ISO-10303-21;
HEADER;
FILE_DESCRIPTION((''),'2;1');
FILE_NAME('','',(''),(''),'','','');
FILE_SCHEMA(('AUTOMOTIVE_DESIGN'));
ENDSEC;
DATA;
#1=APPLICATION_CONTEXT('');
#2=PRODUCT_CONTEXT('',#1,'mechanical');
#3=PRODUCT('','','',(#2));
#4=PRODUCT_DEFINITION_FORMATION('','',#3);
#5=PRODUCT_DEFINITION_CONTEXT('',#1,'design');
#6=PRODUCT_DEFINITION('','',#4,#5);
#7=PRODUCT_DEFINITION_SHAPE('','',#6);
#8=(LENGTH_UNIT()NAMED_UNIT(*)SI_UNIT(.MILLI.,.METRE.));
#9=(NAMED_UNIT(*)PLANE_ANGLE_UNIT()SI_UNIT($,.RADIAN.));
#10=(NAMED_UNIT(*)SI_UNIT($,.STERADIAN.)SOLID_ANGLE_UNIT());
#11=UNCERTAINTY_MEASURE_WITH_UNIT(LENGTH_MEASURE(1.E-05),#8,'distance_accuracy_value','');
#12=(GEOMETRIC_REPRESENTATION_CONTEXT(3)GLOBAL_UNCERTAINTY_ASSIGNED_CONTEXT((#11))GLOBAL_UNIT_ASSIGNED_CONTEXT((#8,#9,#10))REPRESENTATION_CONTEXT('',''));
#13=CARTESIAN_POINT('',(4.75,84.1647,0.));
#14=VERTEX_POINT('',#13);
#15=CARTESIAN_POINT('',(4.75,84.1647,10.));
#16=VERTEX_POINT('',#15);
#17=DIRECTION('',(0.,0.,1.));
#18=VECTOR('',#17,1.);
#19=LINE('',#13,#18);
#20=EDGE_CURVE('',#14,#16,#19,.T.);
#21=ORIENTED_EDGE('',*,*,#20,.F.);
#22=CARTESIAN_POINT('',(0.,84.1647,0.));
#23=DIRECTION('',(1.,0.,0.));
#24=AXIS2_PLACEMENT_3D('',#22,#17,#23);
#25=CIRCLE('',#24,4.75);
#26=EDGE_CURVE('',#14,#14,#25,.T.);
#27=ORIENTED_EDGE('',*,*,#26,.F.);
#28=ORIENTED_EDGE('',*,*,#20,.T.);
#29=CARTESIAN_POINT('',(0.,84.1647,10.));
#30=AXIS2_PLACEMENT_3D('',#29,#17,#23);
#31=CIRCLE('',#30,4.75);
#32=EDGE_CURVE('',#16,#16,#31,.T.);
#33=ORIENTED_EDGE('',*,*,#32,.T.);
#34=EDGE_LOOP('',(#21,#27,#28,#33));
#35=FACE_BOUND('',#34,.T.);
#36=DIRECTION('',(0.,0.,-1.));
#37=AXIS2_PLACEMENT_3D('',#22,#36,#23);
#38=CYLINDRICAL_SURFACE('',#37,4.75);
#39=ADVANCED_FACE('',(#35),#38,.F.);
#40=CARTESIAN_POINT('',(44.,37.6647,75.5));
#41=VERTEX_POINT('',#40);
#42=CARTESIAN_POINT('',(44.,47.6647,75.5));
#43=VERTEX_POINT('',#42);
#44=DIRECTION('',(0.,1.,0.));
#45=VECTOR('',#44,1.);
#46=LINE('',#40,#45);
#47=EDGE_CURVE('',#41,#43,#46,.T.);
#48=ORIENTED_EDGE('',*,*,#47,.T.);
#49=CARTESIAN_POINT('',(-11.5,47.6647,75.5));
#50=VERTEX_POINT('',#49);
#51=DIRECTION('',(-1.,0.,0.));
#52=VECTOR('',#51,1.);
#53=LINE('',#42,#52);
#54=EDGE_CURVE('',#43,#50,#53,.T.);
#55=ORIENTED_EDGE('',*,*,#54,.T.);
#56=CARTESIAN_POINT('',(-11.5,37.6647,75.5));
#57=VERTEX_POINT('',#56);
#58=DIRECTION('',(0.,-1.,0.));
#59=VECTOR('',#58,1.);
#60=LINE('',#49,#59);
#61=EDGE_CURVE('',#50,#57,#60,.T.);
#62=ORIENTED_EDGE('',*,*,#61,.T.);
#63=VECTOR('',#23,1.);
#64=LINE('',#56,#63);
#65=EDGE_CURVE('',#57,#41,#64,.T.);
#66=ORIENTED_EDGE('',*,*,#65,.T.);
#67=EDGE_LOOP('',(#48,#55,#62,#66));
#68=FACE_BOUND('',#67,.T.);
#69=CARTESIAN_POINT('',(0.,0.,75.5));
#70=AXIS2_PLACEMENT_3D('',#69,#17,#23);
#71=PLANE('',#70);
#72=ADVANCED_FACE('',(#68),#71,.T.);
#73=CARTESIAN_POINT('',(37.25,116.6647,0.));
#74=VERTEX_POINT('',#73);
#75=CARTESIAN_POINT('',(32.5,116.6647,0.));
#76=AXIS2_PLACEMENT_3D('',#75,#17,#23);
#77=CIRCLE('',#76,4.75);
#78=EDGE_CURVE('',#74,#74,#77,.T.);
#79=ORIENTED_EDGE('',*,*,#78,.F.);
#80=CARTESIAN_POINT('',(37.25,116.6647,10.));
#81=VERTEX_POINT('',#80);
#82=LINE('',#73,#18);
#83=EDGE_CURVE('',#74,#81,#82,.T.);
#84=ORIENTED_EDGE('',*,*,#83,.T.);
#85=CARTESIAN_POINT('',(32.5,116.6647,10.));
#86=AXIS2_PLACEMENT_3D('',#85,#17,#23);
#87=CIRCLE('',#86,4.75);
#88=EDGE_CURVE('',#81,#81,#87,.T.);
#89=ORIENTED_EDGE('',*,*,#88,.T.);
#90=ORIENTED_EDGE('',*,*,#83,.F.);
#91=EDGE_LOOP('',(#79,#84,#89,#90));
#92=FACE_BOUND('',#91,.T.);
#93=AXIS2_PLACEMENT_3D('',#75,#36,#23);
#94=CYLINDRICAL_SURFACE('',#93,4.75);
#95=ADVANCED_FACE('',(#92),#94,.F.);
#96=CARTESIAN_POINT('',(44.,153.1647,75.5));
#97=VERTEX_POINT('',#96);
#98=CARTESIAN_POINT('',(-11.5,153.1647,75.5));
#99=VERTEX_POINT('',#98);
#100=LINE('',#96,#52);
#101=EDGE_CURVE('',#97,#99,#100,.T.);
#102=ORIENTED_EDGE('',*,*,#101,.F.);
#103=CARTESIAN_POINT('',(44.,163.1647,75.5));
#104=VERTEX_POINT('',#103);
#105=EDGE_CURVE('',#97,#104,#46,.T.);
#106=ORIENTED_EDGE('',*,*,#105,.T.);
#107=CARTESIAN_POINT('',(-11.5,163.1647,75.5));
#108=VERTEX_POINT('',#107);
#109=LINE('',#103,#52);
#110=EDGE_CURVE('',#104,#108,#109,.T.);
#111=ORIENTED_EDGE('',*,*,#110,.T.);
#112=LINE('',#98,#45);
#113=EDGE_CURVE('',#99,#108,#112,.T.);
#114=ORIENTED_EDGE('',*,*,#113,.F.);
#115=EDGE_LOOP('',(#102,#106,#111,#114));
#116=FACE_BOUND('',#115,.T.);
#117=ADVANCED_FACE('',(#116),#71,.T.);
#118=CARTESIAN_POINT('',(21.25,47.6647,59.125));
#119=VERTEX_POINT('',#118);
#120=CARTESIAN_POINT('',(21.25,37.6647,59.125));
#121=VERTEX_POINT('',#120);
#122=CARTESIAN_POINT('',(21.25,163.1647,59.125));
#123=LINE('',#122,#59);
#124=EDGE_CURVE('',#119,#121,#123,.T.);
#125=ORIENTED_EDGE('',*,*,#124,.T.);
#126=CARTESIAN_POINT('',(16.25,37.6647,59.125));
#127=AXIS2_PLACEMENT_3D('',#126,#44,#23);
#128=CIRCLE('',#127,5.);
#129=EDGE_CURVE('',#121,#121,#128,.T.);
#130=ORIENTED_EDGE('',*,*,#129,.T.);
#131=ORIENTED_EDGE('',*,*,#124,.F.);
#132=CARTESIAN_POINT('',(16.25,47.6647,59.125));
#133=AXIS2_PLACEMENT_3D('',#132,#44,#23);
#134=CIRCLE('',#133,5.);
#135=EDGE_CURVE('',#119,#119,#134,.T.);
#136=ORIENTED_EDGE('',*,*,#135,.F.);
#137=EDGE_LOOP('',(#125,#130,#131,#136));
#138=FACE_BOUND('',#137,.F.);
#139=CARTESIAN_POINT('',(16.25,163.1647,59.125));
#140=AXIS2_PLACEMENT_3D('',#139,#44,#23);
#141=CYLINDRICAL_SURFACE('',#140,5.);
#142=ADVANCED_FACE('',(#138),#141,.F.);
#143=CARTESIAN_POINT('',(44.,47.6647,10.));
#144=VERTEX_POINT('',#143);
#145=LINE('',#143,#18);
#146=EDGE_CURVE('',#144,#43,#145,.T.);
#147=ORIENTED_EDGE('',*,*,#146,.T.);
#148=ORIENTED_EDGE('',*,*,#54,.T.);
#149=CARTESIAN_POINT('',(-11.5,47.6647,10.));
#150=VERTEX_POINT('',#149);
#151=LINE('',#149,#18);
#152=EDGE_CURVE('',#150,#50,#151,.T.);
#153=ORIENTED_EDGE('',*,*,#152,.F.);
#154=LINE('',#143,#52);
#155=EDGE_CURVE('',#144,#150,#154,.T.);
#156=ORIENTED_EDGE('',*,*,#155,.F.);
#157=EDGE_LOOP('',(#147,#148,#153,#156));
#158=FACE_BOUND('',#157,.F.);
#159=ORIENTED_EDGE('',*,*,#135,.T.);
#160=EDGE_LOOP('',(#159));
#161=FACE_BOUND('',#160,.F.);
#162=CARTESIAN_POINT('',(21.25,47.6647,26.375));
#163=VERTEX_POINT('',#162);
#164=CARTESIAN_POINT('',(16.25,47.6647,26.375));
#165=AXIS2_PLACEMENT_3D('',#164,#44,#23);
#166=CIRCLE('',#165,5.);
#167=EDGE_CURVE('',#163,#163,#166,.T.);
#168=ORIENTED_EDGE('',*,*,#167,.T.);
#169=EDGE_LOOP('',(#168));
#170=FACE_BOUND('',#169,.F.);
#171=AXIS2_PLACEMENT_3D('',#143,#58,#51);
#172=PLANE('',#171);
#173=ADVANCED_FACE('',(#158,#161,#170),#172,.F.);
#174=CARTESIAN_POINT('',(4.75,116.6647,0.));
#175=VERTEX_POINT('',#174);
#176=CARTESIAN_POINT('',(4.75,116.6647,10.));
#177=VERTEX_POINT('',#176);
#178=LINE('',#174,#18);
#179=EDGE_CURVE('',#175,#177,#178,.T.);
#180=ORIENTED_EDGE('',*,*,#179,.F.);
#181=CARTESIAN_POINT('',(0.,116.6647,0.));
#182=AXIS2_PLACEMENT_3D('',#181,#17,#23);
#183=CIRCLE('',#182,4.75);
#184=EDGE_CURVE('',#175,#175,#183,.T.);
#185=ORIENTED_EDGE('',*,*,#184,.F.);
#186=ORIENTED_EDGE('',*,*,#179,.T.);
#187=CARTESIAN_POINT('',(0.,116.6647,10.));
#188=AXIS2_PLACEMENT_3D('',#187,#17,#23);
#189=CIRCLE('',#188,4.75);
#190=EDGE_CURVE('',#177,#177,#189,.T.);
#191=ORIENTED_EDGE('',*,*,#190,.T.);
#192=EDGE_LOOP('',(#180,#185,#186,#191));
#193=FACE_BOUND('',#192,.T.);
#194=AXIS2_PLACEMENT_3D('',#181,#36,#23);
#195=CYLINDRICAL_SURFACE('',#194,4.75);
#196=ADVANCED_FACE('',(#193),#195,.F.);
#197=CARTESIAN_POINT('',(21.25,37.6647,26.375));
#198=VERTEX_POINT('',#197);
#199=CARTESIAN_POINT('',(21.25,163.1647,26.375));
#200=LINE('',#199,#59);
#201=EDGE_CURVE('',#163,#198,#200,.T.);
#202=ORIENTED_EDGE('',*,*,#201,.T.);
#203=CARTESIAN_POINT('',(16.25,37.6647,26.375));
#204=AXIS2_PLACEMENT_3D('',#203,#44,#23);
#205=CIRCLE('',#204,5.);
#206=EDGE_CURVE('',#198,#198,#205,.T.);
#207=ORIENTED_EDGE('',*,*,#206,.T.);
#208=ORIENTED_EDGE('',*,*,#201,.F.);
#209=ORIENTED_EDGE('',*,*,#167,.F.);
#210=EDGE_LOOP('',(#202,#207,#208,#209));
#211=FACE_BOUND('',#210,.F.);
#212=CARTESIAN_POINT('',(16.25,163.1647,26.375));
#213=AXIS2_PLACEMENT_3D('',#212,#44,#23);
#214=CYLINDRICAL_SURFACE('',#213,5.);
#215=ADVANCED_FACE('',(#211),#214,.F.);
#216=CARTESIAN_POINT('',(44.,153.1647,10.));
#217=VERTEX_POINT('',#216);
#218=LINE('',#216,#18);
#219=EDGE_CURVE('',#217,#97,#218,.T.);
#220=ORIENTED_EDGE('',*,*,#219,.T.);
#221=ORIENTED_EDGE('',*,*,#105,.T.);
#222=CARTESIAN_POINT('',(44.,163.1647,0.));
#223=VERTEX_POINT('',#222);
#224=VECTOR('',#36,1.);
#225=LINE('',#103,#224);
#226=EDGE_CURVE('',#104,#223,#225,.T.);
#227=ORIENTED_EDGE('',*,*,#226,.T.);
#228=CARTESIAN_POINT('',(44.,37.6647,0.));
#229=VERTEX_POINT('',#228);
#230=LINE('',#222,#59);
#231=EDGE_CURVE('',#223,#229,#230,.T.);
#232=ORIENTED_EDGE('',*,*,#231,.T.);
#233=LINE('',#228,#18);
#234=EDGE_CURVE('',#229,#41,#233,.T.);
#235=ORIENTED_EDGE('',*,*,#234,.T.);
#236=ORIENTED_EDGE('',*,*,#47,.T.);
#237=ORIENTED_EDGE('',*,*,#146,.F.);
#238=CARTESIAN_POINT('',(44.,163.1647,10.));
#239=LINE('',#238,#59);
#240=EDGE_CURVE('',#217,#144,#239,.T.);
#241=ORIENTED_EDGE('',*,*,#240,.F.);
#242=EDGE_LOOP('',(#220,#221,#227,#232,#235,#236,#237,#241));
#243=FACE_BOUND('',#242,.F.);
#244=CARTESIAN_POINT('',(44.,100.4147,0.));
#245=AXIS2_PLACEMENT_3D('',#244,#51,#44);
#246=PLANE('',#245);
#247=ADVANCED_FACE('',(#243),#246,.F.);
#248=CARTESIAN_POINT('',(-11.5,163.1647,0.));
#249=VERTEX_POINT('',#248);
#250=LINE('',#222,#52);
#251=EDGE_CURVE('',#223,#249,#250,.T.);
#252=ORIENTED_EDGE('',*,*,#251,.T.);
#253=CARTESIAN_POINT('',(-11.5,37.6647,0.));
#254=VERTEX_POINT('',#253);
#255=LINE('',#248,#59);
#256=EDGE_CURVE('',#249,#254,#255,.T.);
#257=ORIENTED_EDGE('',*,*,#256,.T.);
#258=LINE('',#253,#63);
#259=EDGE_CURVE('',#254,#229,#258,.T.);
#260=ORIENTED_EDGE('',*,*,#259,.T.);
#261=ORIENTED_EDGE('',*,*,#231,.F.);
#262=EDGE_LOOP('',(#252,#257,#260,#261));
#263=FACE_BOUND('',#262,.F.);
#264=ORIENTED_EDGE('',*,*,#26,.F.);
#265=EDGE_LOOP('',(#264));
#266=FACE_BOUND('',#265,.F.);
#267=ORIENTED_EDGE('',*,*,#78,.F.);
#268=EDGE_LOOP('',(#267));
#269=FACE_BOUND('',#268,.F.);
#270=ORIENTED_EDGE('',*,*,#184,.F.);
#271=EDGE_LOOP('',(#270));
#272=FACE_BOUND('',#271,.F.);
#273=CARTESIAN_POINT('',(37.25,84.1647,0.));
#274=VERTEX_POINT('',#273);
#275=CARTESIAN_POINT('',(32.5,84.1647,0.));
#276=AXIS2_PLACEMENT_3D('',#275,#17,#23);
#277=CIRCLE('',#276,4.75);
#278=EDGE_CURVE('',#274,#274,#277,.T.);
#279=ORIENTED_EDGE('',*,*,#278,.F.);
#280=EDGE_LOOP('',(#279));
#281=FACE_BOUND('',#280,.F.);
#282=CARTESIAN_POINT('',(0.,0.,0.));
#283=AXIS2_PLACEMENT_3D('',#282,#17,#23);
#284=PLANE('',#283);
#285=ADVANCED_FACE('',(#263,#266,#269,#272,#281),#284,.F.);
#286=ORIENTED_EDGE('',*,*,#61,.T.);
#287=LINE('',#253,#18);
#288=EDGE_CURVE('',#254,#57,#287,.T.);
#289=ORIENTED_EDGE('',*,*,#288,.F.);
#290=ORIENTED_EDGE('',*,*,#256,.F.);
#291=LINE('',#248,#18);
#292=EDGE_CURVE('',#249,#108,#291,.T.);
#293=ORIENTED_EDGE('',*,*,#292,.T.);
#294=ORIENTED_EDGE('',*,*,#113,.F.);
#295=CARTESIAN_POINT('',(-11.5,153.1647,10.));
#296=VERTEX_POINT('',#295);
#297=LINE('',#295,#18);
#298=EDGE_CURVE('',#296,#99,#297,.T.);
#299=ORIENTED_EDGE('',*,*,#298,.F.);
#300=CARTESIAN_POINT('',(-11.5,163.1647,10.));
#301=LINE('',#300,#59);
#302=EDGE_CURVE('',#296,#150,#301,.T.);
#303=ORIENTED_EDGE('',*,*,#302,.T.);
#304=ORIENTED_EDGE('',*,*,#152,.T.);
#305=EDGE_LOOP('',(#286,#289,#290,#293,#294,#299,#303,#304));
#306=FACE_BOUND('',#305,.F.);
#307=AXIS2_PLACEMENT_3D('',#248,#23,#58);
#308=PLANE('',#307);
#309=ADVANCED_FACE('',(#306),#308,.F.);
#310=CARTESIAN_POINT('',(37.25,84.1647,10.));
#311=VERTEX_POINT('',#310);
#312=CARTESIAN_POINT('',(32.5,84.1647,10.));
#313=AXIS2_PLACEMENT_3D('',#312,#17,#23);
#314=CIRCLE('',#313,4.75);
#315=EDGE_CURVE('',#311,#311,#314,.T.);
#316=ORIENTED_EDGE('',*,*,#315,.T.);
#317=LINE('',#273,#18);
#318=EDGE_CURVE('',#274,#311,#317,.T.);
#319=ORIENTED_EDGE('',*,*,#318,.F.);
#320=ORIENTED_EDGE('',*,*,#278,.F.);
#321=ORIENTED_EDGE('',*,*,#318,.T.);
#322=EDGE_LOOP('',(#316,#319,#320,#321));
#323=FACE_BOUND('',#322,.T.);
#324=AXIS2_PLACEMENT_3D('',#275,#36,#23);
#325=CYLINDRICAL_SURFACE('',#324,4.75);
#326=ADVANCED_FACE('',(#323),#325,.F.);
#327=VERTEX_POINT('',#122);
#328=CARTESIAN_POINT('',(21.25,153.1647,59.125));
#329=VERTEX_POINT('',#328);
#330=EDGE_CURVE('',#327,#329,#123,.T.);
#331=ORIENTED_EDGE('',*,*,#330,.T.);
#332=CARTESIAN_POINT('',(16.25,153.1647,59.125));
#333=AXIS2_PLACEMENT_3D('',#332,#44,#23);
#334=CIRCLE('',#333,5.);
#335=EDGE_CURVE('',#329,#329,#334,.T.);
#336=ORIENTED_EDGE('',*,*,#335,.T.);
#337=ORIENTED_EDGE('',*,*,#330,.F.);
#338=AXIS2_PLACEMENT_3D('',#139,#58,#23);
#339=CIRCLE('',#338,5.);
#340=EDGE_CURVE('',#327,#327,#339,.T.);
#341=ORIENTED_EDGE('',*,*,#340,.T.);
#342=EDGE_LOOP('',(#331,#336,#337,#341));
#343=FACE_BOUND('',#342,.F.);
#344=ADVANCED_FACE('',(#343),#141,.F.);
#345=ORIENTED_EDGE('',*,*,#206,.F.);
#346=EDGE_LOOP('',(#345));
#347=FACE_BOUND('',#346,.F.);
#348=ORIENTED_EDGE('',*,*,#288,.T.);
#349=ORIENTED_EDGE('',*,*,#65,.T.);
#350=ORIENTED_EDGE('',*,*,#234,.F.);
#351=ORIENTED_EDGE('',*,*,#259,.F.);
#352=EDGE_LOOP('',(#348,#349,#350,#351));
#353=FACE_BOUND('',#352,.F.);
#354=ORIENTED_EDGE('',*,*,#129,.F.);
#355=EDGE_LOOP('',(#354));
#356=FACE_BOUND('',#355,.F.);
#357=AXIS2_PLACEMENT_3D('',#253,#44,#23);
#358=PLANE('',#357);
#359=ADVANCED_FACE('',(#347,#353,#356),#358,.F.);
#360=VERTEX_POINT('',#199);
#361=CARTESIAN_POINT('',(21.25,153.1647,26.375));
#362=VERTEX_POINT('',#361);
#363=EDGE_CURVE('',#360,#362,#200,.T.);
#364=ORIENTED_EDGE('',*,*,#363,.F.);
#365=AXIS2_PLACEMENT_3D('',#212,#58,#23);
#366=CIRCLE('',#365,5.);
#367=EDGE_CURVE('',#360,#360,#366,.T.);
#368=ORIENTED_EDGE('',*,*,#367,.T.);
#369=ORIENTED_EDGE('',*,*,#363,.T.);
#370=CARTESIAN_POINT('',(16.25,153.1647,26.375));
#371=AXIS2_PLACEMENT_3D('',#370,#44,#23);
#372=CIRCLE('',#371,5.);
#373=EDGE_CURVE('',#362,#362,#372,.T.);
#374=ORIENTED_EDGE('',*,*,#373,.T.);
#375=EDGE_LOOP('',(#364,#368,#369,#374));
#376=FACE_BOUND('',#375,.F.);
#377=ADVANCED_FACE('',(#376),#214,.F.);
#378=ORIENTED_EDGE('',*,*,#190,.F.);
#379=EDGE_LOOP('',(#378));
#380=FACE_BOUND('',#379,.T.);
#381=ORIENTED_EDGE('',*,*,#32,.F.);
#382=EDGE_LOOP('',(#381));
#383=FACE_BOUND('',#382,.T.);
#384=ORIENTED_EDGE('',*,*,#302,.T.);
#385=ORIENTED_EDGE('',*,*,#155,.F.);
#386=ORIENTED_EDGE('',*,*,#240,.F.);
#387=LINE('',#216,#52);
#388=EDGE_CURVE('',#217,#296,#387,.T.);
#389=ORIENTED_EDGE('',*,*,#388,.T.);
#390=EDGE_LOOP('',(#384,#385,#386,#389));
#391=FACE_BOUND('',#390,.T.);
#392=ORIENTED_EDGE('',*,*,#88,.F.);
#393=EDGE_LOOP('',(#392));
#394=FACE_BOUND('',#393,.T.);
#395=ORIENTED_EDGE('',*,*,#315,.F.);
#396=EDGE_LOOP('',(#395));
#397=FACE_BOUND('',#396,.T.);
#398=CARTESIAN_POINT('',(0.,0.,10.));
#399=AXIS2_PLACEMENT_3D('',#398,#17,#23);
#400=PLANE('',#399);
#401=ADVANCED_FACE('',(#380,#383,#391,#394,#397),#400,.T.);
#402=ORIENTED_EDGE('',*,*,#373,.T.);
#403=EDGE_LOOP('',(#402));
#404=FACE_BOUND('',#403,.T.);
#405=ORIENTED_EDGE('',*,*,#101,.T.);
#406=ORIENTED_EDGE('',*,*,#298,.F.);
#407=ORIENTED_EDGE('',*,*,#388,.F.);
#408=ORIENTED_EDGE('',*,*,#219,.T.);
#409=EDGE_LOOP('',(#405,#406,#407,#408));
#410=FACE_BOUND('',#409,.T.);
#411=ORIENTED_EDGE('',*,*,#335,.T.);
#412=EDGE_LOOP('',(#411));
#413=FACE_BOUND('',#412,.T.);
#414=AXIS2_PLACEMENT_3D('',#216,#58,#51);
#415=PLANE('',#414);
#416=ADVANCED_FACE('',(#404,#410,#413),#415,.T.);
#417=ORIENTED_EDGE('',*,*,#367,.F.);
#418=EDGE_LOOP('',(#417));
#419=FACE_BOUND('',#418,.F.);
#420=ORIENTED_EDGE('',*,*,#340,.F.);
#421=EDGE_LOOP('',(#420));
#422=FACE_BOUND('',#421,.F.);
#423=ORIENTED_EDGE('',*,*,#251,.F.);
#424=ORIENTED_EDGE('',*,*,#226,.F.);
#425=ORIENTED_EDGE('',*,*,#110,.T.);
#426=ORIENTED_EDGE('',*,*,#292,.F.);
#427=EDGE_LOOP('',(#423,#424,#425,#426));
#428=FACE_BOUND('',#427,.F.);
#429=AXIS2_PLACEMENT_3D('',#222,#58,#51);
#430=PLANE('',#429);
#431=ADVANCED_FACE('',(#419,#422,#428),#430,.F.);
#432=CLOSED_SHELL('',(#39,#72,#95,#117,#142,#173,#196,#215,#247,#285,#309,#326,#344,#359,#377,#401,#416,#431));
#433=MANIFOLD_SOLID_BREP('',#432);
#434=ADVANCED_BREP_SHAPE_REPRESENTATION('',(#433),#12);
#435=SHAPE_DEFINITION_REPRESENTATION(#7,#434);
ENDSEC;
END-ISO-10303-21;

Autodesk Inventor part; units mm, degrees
ref_plane "YZ Plane" through (0, 0, 0) normal (1, 0, 0) x (0, 1, 0)
ref_plane "XZ Plane" through (0, 0, 0) normal (0, 1, 0) x (-1, 0, 0)
ref_plane "XY Plane" through (0, 0, 0) normal (0, 0, 1) x (1, 0, 0)
sketch "Sketch1" plane through (0, 0, 0) normal (0, 0, 1) x (1, 0, 0)
  line L0 (-6, 110.6647) -> (-6, 110.2647)
  arc A0 (-6, 110.2647) -> (-5.6, 109.8647) centre (-5.6, 110.2647) ccw
  line L1 (-5.6, 109.8647) -> (-4.9, 109.8647)
  arc A1 (-4.9, 109.8647) -> (-4.7, 110.0647) centre (-4.9, 110.0647) ccw
  line L2 (-4.7, 110.0647) -> (-4.7, 110.3147)
  arc A2 (-4.5, 110.5147) -> (-4.7, 110.3147) centre (-4.5, 110.3147) ccw
  line L3 (-4.5, 110.5147) -> (-1.8, 110.5147)
  arc A3 (-1.4, 110.1147) -> (-1.8, 110.5147) centre (-1.8, 110.1147) ccw
  line L4 (-1.4, 110.1147) -> (-1.4, 104.4147)
  line L5 (-1.8, 104.0147) -> (-4.5, 104.0147)
  arc A4 (-1.8, 104.0147) -> (-1.4, 104.4147) centre (-1.8, 104.4147) ccw
  arc A5 (-4.7, 104.2147) -> (-4.5, 104.0147) centre (-4.5, 104.2147) ccw
  line L6 (-4.7, 104.2147) -> (-4.7, 104.4647)
  arc A6 (-4.7, 104.4647) -> (-4.9, 104.6647) centre (-4.9, 104.4647) ccw
  line L7 (-4.9, 104.6647) -> (-5.6, 104.6647)
  arc A7 (-5.6, 104.6647) -> (-6, 104.2647) centre (-5.6, 104.2647) ccw
  line L8 (-6, 104.2647) -> (-6, 103.6647)
  line L9 (-6.5, 116.6647) -> (-6.5, 110.6647)
  line L10 (-6.5, 110.6647) -> (-2.5, 110.6647)
  line L11 (-1.05, 103.6647) -> (-6.5, 103.6647)
  line L12 (-6.5, 103.6647) -> (-6.5, 97.1647)
  line L13 (-6.5, 97.1647) -> (-1.05, 97.1647)
  line L14 (-6, 97.1647) -> (-6, 96.5647)
  arc A8 (-6, 96.5647) -> (-5.6, 96.1647) centre (-5.6, 96.5647) ccw
  line L15 (-5.6, 96.1647) -> (-4.9, 96.1647)
  arc A9 (-4.9, 96.1647) -> (-4.7, 96.3647) centre (-4.9, 96.3647) ccw
  arc A10 (-4.5, 96.8147) -> (-4.7, 96.6147) centre (-4.5, 96.6147) ccw
  line L16 (-4.7, 96.3647) -> (-4.7, 96.6147)
  line L17 (-4.5, 96.8147) -> (-1.8, 96.8147)
  arc A11 (-1.4, 96.4147) -> (-1.8, 96.8147) centre (-1.8, 96.4147) ccw
  line L18 (-1.4, 96.4147) -> (-1.4, 90.7147)
  arc A12 (-1.8, 90.3147) -> (-1.4, 90.7147) centre (-1.8, 90.7147) ccw
  line L19 (-1.8, 90.3147) -> (-4.5, 90.3147)
  arc A13 (-4.7, 90.5147) -> (-4.5, 90.3147) centre (-4.5, 90.5147) ccw
  line L20 (-4.7, 90.5147) -> (-4.7, 90.7647)
  arc A14 (-4.7, 90.7647) -> (-4.9, 90.9647) centre (-4.9, 90.7647) ccw
  line L21 (-4.9, 90.9647) -> (-5.6, 90.9647)
  arc A15 (-5.6, 90.9647) -> (-6, 90.5647) centre (-5.6, 90.5647) ccw
  line L22 (-6, 90.5647) -> (-6, 90.1647)
  line L23 (-2.5, 90.1647) -> (-6.5, 90.1647)
  line L24 (-6.5, 90.1647) -> (-6.5, 84.1647)
  line L25 (32.5, 123.1647) -> (0, 123.1647)
  circle A16 centre (0, 116.6647) radius 4.75
  circle A17 centre (32.5, 116.6647) radius 4.75
  circle A18 centre (0, 84.1647) radius 4.75
  circle A19 centre (32.5, 84.1647) radius 4.75
  line L26 (39, 97.1647) -> (39, 103.6647)
  line L27 (39, 110.6647) -> (39, 116.6647)
  line L28 (39, 84.1647) -> (39, 90.1647)
  line L29 (26.5, 77.6647) -> (32.5, 77.6647)
  line L30 (0, 77.6647) -> (6, 77.6647)
  line L31 (13, 77.6647) -> (19.5, 77.6647)
  circle A20 centre (16.25, 100.4147) radius 15
  circle A21 centre (16.2588, 5.0016) radius 2.5
  circle A22 centre (16.25, -50.5) radius 2.5
  circle A23 centre (16.25, 100.4147) radius 5
  circle A24 centre (16.25, 100.4147) radius 8.45
  line L32 (24.75, 95.5072) -> (24.75, 105.3221)
  line L33 (44, 10) -> (-11.5, 10)
  line L34 (-11.5, 10) -> (-11.5, -55.5)
  line L35 (-11.5, -55.5) -> (44, -55.5)
  line L36 (44, -55.5) -> (44, 10)
  line L37 (-11.5, 30) -> (44, 30)
  line L38 (-11.5, -75.5) -> (-11.5, 30)
  line L39 (44, 30) -> (44, -75.5)
  line L40 (44, -75.5) -> (-11.5, -75.5)
  circle A25 centre (16.25, -65.5) radius 5
  circle A26 centre (16.25, 20) radius 5
  line L41 (-11.5, 37.6647) -> (44, 37.6647)
  line L42 (44, 37.6647) -> (44, 163.1647)
  line L43 (44, 163.1647) -> (-11.5, 163.1647)
  line L44 (-11.5, 163.1647) -> (-11.5, 37.6647)
  line L45 (-11.5, 163.1647) -> (44, 37.6647)
  line L46 (16.25, 100.4147) -> (112.1111, 100.4147)
  dimension "d2" = 125.5
extrude "Extrusion1" add sketch "Sketch1" along normal blind 10 contours L46 A24 L45 A20 | L46 L42 L45 A20 | A20 L45 A24 L46 | A20 L45 L43 L42 L46 | L45 A24 A20 | A20 L45 L41 L44 | L45 A23 A24 | A24 L46 A23 L45 | L45 A23 L46 A24 | L45 A23 | A23 L46 L45 | L45 L46 A23
sketch "Sketch2" plane through (0, 0, 10) normal (0, 0, 1) x (1, 0, 0)
  line L0 (44, 163.1647) -> (-11.5, 163.1647) projected
  line L1 (44, 37.6647) -> (44, 163.1647) projected
  line L2 (-11.5, 163.1647) -> (44, 163.1647)
  line L3 (44, 163.1647) -> (44, 153.1647)
  line L4 (44, 153.1647) -> (-11.5, 153.1647)
  line L5 (-11.5, 153.1647) -> (-11.5, 163.1647)
  line L6 (-11.5, 37.6647) -> (44, 37.6647)
  line L7 (44, 37.6647) -> (44, 47.6647)
  line L8 (44, 47.6647) -> (-11.5, 47.6647)
  line L9 (-11.5, 47.6647) -> (-11.5, 37.6647)
  point P0 (0, 0)
  dimension "d5" = 10
  dimension "d6" = 10
extrude "Extrusion2" add sketch "Sketch2" along normal blind 65.5
sketch "Sketch3" plane through (-11.5, 163.1647, 0) normal (0, 1, 0) x (1, 0, 0)
  line L0 (0, -10) -> (55.5, -10) projected
  line L1 (0, -10) -> (0, -75.5) projected
  line L2 (55.5, -10) -> (0, -10)
  line L3 (0, -10) -> (0, -75.5)
  line L4 (0, -75.5) -> (55.5, -75.5)
  line L5 (55.5, -75.5) -> (55.5, -10)
  line L6 (55.5, -10) -> (55.5, -75.5) projected
  line L7 (55.5, -42.75) -> (0, -42.75)
  line L8 (55.5, -10) -> (0, -42.75)
  line L9 (27.75, -26.375) -> (27.75, -42.75)
  line L10 (55.5, -42.75) -> (0, -75.5)
  line L11 (27.75, -59.125) -> (27.75, -42.75)
  circle A0 centre (27.75, -26.375) radius 5
  circle A1 centre (27.75, -59.125) radius 5
  point P0 (11.5, 0)
  dimension "d9" = 10
  dimension "d10" = 10
extrude "Extrusion3" cut sketch "Sketch3" against normal through all contours A0 L9 L8 | L8 A0 | L8 L9 A0 | A1 L10 | L10 L11 A1 | A1 L11 L10
properties part number "AcopleActuadorCarro"
